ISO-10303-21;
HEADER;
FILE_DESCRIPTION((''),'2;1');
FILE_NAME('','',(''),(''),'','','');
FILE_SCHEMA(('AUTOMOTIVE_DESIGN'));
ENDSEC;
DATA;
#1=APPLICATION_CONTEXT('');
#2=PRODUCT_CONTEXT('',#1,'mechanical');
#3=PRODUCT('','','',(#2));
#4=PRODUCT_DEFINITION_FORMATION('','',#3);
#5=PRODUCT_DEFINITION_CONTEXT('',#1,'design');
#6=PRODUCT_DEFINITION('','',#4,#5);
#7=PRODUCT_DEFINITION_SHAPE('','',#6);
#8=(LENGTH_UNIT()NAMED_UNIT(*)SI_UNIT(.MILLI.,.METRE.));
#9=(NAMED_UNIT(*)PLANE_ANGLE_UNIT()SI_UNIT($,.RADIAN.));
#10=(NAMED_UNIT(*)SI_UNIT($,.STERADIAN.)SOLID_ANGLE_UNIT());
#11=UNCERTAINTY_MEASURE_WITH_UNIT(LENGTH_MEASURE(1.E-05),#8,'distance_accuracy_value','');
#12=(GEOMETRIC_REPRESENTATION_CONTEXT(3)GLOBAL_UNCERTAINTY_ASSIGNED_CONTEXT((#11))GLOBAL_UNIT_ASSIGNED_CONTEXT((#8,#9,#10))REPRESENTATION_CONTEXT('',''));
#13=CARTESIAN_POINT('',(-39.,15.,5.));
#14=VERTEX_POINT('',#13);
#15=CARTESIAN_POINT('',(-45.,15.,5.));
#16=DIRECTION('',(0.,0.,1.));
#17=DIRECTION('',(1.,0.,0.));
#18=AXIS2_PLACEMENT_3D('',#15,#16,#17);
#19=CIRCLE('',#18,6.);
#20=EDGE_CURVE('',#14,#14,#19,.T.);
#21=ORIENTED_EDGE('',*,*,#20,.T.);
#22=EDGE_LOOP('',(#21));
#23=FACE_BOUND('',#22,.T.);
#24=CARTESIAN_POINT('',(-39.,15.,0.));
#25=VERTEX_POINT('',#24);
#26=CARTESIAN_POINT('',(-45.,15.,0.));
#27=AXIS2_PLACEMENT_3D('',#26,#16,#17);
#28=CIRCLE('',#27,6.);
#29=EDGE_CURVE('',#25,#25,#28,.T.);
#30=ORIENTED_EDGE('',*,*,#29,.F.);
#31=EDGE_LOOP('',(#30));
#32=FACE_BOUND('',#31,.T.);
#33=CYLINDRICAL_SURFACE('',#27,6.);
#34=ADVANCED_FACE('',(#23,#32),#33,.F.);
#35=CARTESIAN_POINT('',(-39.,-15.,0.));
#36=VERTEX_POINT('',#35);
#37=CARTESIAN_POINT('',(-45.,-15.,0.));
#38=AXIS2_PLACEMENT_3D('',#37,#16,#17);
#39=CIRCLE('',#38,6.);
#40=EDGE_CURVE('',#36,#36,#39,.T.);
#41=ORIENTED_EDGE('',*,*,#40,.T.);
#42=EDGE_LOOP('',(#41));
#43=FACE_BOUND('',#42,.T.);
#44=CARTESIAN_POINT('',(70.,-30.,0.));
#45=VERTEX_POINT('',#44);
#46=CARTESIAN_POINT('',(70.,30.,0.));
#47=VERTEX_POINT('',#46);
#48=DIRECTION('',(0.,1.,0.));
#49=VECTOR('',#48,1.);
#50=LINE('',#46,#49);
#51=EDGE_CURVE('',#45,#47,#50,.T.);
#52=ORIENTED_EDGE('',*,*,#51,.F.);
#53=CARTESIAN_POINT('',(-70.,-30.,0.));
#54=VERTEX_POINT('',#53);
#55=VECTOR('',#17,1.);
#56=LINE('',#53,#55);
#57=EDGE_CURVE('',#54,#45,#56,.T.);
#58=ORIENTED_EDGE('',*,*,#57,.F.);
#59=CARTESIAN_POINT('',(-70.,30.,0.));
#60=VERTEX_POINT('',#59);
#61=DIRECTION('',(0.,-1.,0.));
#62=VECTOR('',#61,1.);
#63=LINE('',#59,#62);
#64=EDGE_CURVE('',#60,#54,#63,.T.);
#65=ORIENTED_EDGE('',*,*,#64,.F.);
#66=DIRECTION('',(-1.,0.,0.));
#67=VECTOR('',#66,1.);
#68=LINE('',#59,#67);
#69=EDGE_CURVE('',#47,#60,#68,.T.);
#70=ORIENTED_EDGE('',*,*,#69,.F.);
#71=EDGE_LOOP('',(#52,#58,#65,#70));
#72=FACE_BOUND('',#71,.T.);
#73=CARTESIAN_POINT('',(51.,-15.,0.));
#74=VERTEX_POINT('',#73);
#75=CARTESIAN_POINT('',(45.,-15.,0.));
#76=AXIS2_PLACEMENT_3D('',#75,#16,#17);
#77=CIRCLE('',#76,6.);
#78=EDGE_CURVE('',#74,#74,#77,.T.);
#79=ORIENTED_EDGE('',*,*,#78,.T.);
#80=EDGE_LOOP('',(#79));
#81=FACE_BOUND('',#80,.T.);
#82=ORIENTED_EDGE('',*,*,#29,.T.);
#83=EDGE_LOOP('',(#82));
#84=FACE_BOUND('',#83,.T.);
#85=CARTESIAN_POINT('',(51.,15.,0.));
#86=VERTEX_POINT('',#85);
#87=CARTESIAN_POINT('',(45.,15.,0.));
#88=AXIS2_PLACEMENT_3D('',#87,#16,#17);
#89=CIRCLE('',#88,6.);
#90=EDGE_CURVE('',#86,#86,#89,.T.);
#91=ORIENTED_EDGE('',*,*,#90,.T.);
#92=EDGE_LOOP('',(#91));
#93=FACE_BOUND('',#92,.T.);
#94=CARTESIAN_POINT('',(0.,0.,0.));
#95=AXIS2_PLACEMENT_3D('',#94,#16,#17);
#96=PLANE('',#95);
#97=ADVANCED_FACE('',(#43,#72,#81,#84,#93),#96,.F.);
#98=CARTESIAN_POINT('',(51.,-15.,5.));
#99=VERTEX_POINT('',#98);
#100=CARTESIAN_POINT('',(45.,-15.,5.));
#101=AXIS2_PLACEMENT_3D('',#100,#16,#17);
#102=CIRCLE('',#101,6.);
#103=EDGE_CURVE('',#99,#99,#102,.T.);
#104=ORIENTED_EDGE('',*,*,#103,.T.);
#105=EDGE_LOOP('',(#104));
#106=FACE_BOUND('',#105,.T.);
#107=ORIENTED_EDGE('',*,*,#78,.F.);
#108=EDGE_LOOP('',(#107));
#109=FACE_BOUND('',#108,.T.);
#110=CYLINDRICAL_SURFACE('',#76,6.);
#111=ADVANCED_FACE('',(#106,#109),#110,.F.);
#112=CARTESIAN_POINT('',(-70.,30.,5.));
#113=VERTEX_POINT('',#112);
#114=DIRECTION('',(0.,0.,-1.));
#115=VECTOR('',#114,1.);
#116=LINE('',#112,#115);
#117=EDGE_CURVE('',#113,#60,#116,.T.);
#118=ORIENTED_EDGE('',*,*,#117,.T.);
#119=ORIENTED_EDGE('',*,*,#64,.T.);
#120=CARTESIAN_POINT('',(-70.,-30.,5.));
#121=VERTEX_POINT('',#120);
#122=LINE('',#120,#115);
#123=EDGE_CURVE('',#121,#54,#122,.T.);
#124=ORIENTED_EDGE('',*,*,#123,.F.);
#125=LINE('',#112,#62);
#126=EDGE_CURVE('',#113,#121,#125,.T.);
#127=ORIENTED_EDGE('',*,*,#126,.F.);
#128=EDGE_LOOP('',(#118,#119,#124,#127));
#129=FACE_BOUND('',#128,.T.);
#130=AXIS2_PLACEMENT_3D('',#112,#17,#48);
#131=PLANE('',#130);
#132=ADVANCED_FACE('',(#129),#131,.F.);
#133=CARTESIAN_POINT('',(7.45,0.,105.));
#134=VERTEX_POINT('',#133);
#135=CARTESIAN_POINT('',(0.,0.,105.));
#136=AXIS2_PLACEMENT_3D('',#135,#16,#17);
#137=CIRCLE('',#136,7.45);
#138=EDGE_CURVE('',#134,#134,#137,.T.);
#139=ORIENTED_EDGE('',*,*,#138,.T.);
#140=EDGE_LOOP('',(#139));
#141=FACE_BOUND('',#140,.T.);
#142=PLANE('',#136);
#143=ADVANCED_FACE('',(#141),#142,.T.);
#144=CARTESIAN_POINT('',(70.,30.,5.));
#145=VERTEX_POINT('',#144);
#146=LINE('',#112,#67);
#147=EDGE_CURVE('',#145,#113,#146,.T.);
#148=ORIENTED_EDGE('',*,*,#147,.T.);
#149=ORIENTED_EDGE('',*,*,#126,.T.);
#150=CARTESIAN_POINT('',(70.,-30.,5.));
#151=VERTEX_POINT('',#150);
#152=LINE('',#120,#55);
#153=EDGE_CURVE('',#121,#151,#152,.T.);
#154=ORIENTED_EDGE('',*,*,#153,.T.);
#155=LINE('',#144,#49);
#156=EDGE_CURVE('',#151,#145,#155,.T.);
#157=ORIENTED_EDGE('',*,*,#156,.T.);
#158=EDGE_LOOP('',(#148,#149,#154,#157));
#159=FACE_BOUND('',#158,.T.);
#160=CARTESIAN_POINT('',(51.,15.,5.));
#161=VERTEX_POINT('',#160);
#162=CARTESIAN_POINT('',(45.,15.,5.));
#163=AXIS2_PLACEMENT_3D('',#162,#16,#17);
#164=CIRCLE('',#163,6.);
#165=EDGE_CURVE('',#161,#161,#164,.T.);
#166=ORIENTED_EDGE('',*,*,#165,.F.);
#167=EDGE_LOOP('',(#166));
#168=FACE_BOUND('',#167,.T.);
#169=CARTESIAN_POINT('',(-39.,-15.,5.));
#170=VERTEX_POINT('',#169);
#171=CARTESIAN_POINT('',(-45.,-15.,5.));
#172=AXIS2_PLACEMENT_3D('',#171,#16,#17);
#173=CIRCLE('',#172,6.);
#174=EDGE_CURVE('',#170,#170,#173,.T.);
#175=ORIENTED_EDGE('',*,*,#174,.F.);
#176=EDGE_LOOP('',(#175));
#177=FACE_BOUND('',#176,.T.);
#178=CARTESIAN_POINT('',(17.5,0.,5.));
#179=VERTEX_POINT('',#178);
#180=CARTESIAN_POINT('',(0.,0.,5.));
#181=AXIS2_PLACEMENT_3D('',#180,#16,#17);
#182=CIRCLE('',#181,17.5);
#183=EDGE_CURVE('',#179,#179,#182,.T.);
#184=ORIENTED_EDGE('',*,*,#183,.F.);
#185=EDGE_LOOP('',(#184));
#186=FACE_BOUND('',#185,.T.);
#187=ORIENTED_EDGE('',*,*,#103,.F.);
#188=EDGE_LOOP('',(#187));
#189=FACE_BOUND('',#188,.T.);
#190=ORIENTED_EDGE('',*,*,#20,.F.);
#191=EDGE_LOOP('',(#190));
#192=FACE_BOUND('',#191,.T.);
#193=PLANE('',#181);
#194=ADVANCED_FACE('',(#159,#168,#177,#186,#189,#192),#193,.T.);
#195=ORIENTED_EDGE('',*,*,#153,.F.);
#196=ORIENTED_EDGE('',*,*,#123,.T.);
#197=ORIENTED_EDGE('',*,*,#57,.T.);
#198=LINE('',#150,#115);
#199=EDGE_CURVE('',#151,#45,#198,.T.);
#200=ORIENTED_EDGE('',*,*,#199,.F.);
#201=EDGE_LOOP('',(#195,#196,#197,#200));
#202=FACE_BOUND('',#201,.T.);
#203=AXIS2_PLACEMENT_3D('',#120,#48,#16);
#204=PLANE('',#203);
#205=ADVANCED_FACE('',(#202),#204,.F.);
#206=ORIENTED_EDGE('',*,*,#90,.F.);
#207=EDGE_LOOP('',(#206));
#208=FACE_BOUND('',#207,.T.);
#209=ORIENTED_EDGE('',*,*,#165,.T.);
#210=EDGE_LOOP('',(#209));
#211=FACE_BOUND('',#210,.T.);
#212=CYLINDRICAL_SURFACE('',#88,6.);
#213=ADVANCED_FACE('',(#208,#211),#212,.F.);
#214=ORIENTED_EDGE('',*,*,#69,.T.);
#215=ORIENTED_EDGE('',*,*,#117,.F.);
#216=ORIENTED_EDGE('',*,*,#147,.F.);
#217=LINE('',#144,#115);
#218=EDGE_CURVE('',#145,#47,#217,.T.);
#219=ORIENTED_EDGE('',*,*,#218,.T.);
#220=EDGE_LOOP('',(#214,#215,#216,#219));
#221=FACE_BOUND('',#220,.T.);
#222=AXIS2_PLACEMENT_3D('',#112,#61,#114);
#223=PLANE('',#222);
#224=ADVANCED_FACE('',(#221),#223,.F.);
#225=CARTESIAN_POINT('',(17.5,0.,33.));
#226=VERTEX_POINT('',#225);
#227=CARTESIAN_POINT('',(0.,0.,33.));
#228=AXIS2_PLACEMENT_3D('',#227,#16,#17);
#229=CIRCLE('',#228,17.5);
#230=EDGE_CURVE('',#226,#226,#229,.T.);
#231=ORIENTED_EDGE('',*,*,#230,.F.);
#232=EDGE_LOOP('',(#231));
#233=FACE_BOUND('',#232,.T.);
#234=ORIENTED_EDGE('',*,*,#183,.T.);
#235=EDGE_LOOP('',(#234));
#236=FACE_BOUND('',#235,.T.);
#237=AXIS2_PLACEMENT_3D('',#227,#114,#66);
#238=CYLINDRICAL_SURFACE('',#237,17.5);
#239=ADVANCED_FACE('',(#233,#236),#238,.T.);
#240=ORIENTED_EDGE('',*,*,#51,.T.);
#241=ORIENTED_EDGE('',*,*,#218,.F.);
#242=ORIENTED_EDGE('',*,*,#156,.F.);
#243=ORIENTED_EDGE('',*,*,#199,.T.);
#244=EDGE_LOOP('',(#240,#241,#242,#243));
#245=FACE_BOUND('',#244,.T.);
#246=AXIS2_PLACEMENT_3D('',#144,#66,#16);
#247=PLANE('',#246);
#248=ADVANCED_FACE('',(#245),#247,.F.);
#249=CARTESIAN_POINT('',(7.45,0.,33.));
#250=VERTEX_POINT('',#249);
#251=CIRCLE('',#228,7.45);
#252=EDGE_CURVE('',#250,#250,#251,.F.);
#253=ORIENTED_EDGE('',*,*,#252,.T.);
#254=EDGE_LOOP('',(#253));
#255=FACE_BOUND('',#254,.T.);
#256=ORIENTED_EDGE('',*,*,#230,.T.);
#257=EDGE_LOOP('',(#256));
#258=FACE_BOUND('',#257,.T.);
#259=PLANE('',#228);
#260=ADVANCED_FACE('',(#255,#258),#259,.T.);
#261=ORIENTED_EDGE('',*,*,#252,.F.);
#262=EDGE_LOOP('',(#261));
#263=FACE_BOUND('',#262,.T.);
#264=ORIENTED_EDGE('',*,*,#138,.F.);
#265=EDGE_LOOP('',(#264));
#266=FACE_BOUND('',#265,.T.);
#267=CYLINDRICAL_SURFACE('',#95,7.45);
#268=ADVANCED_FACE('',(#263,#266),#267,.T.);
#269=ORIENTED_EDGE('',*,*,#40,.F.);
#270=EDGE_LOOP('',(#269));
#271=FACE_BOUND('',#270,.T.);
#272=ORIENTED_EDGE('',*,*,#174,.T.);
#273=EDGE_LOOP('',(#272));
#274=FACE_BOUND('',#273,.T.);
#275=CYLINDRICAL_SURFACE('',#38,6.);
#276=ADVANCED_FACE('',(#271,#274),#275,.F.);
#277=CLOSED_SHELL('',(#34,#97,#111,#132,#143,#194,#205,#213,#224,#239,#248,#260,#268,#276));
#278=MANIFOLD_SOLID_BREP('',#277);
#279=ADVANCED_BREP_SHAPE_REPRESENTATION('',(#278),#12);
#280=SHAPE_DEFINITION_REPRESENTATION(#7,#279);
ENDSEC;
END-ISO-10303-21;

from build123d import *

# Parameters (mm, degrees)
SKETCH1_W                = 140
SKETCH1_H                = 60
BOSS_EXTRUDE1_DEPTH      = 5
SKETCH2_R                = 7.45
SKETCH2_R_2              = 6
CUT_EXTRUDE1_DEPTH       = 5
BOSS_EXTRUDE3_DEPTH      = 100
BOSS_EXTRUDE3_DEPTH_BACK = 5
SKETCH3_R                = 7.45
SKETCH4_R                = 17.5
BOSS_EXTRUDE4_DEPTH      = 28


with BuildPart() as part:
    # Sketch1 → Boss-Extrude1 (new body)
    with BuildSketch(Plane.XY):
        Rectangle(SKETCH1_W, SKETCH1_H)
    extrude(amount=BOSS_EXTRUDE1_DEPTH)

    # Sketch2 → Cut-Extrude1 (cut)
    with BuildSketch(Plane.XY.offset(5)):
        Circle(SKETCH2_R)
        with Locations((-45, 15)):
            Circle(SKETCH2_R_2)
        with Locations((45, 15)):
            Circle(SKETCH2_R_2)
        with Locations((-45, -15)):
            Circle(SKETCH2_R_2)
        with Locations((45, -15)):
            Circle(SKETCH2_R_2)
    extrude(amount=-CUT_EXTRUDE1_DEPTH, mode=Mode.SUBTRACT)

    # Sketch3 → Boss-Extrude3 (add, two sides: drawn at the far end of the back side and taken through both)
    with BuildSketch(Plane.XY.offset(5).offset(-BOSS_EXTRUDE3_DEPTH_BACK)):
        Circle(SKETCH3_R)
    extrude(amount=BOSS_EXTRUDE3_DEPTH + BOSS_EXTRUDE3_DEPTH_BACK)

    # Sketch4 → Boss-Extrude4 (add)
    with BuildSketch(Plane.XY.offset(5)):
        Circle(SKETCH4_R)
    extrude(amount=BOSS_EXTRUDE4_DEPTH)


solid = part.part
